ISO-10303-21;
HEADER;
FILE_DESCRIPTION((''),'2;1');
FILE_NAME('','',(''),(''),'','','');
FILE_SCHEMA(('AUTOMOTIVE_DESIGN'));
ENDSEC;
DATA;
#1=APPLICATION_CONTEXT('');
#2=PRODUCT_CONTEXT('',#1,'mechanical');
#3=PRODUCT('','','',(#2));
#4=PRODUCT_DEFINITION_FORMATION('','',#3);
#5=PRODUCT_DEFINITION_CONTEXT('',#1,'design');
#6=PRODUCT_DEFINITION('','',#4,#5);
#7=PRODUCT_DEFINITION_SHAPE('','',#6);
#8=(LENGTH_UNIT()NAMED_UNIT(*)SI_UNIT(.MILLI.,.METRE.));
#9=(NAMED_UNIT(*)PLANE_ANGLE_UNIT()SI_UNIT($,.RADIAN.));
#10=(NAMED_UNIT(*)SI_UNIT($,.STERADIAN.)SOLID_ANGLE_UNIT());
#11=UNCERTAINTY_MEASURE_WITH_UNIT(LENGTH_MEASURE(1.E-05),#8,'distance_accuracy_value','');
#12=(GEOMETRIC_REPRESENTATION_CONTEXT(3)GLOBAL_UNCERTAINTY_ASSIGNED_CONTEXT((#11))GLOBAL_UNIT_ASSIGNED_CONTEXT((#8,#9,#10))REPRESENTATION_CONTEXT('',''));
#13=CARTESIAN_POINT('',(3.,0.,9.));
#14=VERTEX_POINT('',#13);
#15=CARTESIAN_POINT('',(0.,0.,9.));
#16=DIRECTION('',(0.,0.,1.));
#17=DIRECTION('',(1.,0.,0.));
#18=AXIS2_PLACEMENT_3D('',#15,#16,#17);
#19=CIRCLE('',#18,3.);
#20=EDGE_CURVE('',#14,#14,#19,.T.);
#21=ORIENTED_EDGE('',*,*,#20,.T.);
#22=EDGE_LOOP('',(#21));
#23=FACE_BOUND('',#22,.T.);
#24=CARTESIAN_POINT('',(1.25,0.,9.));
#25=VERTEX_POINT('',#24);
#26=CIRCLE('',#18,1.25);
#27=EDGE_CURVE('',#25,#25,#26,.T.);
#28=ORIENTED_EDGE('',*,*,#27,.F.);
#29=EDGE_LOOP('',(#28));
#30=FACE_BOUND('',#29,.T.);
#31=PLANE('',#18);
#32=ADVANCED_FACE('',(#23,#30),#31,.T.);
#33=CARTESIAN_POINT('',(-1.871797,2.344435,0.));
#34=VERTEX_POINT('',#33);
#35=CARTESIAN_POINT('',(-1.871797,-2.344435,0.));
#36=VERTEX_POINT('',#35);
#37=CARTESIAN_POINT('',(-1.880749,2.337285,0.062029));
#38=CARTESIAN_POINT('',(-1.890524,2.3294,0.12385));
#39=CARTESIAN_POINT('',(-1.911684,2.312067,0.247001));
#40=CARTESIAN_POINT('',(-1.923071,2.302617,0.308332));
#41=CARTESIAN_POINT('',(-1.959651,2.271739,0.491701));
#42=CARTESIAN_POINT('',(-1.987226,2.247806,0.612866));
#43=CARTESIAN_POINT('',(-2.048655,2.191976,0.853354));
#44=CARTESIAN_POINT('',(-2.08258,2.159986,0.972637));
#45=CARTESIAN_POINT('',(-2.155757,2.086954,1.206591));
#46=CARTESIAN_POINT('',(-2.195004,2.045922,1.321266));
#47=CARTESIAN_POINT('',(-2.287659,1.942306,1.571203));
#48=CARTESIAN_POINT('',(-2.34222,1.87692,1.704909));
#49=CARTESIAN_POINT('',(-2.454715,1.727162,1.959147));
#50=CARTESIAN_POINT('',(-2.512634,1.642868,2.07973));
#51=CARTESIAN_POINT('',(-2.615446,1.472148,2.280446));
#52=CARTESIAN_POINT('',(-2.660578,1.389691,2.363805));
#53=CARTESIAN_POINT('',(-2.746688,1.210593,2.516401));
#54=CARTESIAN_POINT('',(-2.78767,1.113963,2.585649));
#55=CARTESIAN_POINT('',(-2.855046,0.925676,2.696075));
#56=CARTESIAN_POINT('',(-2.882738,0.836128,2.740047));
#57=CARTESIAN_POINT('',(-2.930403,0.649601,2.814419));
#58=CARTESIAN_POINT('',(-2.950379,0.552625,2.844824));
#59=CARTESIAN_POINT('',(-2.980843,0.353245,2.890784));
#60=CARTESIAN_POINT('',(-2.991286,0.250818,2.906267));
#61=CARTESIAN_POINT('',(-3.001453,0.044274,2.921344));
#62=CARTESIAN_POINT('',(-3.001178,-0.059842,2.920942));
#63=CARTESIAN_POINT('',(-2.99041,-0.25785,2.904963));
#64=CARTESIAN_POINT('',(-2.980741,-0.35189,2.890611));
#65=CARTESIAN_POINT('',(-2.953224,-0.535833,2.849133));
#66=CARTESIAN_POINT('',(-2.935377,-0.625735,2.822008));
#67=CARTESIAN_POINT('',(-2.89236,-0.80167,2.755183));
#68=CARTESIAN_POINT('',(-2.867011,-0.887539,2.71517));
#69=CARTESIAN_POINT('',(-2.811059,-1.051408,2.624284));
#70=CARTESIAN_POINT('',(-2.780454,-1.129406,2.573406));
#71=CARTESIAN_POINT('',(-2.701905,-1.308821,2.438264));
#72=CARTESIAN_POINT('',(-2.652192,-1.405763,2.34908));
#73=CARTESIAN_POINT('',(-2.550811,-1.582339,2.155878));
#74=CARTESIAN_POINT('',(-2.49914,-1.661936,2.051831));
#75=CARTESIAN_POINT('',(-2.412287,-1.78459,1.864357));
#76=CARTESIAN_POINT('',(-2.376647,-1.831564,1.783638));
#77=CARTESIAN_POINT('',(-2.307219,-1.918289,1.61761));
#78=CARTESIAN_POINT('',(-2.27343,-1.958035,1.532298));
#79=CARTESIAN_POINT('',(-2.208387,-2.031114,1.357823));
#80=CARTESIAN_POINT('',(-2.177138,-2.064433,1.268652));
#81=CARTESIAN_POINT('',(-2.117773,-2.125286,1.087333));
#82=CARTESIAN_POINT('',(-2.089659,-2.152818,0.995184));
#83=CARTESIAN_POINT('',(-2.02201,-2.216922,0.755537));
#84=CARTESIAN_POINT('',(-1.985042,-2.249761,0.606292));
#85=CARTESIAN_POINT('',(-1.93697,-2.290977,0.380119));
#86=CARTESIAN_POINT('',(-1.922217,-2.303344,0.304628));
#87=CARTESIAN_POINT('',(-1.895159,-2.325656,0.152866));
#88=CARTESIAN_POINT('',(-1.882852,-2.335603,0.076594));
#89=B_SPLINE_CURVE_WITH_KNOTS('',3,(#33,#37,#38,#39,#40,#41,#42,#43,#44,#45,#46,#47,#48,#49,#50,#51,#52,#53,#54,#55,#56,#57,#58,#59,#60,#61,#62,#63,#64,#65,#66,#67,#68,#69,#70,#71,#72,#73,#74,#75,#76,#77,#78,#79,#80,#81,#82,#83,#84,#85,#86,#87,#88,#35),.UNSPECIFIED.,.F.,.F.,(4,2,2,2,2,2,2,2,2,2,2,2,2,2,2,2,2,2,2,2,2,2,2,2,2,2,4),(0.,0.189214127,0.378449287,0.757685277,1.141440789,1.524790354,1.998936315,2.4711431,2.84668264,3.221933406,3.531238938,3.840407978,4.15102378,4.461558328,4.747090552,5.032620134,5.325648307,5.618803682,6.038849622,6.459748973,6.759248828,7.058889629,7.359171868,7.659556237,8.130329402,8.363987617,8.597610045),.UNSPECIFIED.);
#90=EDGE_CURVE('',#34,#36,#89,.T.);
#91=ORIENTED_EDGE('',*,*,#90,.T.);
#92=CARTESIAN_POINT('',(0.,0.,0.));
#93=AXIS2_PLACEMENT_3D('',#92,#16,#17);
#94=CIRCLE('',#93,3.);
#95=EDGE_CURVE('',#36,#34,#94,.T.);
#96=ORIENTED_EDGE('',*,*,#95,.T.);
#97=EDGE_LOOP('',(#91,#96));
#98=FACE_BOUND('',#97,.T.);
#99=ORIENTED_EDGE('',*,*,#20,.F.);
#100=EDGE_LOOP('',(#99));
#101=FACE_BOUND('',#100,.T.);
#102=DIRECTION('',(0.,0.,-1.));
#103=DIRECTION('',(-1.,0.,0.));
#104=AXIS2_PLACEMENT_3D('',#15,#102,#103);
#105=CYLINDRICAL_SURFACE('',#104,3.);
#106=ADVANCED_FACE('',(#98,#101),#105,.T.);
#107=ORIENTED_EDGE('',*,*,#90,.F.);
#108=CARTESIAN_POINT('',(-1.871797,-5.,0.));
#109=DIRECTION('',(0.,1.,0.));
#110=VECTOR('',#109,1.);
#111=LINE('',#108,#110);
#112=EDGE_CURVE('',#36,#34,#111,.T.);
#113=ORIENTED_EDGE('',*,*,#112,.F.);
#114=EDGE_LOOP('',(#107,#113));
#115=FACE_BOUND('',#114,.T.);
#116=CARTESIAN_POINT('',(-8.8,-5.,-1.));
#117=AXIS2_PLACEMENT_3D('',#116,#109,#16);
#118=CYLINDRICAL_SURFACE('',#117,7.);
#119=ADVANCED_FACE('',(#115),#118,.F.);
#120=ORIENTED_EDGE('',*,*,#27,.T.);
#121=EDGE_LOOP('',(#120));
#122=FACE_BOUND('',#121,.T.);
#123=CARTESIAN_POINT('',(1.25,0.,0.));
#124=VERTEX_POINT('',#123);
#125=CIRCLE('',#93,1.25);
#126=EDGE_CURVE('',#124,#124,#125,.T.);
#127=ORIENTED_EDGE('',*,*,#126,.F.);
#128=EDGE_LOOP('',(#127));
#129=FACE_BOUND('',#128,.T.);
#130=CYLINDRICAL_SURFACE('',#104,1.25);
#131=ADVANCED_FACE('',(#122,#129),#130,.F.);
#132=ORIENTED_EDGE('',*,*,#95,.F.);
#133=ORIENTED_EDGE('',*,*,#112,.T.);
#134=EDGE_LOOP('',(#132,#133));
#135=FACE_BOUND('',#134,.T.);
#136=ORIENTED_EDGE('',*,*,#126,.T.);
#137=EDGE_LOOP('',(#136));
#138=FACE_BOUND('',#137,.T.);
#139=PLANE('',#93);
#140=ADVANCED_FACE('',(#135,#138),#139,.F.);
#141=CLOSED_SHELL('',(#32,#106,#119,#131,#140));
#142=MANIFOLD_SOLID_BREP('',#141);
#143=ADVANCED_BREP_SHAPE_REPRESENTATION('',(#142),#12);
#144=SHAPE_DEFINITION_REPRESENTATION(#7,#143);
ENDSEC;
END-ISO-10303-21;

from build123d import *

# Parameters (mm, degrees)
ESQUISSE1_R             = 3
ESQUISSE1_R_2           = 1.25
BASE_EXTRUSION_DEPTH    = 9
ESQUISSE2_R             = 7
ENL_V_MAT_EXTRU_1_DEPTH = 5


with BuildPart() as part:
    # Esquisse1 → Base-Extrusion (new body)
    with BuildSketch(Plane.XY):
        Circle(ESQUISSE1_R)
        Circle(ESQUISSE1_R_2, mode=Mode.SUBTRACT)
    extrude(amount=BASE_EXTRUSION_DEPTH)

    # Esquisse2 → Enlèv. mat.-Extru.1 (cut, symmetric)
    with BuildSketch(Plane(origin=(0, 0, 0), x_dir=(1, 0, 0), z_dir=(0, 1, 0))):
        with Locations((-8.8, 1)):
            Circle(ESQUISSE2_R)
    extrude(amount=ENL_V_MAT_EXTRU_1_DEPTH, both=True, mode=Mode.SUBTRACT)


solid = part.part
